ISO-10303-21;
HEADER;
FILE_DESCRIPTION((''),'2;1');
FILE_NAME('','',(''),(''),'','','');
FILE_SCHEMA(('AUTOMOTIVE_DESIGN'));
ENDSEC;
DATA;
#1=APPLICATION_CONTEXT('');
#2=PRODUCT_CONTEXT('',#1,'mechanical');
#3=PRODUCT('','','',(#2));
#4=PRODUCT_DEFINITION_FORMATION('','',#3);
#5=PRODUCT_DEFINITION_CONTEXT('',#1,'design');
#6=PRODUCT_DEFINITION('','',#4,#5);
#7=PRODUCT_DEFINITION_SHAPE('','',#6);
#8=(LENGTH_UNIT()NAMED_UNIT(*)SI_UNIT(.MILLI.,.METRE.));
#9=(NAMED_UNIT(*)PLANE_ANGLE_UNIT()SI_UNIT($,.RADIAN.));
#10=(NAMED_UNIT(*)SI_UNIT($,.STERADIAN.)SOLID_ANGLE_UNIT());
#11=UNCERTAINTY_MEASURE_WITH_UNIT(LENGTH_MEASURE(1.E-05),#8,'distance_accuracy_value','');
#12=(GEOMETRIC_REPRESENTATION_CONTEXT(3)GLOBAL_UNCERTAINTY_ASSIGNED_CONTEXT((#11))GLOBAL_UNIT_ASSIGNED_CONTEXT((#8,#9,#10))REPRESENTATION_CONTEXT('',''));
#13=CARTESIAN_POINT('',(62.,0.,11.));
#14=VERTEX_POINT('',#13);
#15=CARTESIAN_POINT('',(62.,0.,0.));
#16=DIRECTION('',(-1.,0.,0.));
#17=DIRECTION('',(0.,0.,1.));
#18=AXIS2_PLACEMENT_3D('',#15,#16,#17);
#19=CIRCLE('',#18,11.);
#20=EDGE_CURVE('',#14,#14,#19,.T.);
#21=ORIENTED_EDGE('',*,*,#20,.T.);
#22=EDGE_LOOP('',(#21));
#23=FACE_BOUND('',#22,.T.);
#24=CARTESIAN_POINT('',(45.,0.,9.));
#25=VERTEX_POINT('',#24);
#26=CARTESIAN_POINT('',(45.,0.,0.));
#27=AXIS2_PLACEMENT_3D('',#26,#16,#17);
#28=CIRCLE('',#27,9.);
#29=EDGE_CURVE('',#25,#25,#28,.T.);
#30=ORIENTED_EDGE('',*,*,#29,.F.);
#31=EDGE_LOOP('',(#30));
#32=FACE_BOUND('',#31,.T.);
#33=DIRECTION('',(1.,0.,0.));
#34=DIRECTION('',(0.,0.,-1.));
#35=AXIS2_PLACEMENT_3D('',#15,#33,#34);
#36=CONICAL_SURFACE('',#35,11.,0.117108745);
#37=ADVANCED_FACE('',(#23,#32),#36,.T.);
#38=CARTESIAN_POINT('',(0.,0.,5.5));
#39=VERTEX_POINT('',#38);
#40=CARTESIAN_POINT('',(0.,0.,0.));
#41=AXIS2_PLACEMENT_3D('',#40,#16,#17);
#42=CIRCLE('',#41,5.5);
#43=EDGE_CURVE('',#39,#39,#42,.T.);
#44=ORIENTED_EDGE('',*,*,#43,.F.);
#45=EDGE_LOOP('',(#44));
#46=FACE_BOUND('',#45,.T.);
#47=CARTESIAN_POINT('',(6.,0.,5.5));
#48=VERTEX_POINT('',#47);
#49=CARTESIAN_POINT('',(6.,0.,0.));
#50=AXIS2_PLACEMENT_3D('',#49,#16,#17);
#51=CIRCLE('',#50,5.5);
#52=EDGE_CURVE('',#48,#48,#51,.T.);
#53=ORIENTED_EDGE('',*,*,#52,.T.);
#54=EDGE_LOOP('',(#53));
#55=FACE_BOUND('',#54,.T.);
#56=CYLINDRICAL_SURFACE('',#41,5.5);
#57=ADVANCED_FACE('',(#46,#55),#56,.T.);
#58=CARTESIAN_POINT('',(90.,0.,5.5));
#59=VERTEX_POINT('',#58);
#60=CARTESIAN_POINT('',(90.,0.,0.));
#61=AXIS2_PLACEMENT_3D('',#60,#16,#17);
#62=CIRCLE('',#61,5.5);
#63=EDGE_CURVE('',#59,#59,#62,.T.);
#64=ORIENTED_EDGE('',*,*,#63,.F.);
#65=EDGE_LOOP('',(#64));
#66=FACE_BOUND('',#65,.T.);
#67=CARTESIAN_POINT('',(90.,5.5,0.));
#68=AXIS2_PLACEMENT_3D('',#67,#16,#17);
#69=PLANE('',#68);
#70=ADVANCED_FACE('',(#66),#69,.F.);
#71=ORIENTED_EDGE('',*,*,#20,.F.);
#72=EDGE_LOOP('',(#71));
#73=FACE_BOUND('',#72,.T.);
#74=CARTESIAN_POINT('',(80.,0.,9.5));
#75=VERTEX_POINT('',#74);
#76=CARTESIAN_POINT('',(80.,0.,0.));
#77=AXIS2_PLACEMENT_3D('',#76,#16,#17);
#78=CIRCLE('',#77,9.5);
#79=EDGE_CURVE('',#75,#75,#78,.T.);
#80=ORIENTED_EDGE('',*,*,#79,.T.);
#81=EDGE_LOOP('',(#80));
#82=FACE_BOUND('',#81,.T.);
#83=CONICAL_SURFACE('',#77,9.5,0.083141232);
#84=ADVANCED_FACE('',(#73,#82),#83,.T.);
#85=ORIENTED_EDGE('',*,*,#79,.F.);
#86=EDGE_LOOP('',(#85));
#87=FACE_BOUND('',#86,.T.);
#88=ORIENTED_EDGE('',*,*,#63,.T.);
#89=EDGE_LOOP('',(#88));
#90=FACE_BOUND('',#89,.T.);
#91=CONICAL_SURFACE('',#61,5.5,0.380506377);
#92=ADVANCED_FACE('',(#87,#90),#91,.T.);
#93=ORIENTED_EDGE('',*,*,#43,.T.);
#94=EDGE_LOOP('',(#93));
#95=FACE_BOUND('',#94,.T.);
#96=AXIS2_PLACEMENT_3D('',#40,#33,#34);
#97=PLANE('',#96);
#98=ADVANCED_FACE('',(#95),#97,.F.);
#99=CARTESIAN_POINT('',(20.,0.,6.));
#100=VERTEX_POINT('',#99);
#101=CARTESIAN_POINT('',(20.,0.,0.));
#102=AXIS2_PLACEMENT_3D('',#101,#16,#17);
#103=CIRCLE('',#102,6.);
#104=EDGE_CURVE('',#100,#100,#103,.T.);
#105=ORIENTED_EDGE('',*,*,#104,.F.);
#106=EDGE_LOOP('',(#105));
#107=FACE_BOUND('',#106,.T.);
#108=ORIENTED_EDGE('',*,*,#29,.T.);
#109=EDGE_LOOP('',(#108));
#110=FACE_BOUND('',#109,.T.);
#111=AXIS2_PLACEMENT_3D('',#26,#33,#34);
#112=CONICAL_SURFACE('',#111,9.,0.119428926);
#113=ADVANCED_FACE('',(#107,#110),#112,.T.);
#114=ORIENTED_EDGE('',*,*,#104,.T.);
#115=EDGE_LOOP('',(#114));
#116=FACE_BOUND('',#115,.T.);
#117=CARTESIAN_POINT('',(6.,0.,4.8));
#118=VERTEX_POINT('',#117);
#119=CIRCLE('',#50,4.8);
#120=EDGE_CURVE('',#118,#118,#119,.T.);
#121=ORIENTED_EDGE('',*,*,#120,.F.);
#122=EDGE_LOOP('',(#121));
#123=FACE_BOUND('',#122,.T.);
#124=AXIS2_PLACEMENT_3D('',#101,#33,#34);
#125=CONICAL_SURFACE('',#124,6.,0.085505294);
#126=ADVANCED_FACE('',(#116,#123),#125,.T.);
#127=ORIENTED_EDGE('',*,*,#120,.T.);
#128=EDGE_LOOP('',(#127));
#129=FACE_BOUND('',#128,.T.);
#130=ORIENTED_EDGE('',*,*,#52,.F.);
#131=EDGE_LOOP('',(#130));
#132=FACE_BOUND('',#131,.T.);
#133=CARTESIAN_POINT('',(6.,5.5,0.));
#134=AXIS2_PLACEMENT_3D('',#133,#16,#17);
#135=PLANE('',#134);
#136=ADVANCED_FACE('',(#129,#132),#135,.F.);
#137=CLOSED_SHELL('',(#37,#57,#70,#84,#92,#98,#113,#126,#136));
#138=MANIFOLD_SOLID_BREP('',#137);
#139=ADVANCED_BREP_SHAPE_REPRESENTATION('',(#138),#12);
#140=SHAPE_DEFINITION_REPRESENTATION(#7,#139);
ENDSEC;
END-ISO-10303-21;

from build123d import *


with BuildPart() as part:
    # Sketch1 → Revolve1 (revolve)
    with BuildSketch(Plane.XY):
        Polygon((0, 0), (0, 5.5), (6, 5.5), (6, 4.8), (20, 6), (45, 9), (62, 11), (80, 9.5), (90, 5.5), (90, 0), align=None)
    revolve(axis=Axis((0, 0, 0), (1, 0, 0)))


solid = part.part
